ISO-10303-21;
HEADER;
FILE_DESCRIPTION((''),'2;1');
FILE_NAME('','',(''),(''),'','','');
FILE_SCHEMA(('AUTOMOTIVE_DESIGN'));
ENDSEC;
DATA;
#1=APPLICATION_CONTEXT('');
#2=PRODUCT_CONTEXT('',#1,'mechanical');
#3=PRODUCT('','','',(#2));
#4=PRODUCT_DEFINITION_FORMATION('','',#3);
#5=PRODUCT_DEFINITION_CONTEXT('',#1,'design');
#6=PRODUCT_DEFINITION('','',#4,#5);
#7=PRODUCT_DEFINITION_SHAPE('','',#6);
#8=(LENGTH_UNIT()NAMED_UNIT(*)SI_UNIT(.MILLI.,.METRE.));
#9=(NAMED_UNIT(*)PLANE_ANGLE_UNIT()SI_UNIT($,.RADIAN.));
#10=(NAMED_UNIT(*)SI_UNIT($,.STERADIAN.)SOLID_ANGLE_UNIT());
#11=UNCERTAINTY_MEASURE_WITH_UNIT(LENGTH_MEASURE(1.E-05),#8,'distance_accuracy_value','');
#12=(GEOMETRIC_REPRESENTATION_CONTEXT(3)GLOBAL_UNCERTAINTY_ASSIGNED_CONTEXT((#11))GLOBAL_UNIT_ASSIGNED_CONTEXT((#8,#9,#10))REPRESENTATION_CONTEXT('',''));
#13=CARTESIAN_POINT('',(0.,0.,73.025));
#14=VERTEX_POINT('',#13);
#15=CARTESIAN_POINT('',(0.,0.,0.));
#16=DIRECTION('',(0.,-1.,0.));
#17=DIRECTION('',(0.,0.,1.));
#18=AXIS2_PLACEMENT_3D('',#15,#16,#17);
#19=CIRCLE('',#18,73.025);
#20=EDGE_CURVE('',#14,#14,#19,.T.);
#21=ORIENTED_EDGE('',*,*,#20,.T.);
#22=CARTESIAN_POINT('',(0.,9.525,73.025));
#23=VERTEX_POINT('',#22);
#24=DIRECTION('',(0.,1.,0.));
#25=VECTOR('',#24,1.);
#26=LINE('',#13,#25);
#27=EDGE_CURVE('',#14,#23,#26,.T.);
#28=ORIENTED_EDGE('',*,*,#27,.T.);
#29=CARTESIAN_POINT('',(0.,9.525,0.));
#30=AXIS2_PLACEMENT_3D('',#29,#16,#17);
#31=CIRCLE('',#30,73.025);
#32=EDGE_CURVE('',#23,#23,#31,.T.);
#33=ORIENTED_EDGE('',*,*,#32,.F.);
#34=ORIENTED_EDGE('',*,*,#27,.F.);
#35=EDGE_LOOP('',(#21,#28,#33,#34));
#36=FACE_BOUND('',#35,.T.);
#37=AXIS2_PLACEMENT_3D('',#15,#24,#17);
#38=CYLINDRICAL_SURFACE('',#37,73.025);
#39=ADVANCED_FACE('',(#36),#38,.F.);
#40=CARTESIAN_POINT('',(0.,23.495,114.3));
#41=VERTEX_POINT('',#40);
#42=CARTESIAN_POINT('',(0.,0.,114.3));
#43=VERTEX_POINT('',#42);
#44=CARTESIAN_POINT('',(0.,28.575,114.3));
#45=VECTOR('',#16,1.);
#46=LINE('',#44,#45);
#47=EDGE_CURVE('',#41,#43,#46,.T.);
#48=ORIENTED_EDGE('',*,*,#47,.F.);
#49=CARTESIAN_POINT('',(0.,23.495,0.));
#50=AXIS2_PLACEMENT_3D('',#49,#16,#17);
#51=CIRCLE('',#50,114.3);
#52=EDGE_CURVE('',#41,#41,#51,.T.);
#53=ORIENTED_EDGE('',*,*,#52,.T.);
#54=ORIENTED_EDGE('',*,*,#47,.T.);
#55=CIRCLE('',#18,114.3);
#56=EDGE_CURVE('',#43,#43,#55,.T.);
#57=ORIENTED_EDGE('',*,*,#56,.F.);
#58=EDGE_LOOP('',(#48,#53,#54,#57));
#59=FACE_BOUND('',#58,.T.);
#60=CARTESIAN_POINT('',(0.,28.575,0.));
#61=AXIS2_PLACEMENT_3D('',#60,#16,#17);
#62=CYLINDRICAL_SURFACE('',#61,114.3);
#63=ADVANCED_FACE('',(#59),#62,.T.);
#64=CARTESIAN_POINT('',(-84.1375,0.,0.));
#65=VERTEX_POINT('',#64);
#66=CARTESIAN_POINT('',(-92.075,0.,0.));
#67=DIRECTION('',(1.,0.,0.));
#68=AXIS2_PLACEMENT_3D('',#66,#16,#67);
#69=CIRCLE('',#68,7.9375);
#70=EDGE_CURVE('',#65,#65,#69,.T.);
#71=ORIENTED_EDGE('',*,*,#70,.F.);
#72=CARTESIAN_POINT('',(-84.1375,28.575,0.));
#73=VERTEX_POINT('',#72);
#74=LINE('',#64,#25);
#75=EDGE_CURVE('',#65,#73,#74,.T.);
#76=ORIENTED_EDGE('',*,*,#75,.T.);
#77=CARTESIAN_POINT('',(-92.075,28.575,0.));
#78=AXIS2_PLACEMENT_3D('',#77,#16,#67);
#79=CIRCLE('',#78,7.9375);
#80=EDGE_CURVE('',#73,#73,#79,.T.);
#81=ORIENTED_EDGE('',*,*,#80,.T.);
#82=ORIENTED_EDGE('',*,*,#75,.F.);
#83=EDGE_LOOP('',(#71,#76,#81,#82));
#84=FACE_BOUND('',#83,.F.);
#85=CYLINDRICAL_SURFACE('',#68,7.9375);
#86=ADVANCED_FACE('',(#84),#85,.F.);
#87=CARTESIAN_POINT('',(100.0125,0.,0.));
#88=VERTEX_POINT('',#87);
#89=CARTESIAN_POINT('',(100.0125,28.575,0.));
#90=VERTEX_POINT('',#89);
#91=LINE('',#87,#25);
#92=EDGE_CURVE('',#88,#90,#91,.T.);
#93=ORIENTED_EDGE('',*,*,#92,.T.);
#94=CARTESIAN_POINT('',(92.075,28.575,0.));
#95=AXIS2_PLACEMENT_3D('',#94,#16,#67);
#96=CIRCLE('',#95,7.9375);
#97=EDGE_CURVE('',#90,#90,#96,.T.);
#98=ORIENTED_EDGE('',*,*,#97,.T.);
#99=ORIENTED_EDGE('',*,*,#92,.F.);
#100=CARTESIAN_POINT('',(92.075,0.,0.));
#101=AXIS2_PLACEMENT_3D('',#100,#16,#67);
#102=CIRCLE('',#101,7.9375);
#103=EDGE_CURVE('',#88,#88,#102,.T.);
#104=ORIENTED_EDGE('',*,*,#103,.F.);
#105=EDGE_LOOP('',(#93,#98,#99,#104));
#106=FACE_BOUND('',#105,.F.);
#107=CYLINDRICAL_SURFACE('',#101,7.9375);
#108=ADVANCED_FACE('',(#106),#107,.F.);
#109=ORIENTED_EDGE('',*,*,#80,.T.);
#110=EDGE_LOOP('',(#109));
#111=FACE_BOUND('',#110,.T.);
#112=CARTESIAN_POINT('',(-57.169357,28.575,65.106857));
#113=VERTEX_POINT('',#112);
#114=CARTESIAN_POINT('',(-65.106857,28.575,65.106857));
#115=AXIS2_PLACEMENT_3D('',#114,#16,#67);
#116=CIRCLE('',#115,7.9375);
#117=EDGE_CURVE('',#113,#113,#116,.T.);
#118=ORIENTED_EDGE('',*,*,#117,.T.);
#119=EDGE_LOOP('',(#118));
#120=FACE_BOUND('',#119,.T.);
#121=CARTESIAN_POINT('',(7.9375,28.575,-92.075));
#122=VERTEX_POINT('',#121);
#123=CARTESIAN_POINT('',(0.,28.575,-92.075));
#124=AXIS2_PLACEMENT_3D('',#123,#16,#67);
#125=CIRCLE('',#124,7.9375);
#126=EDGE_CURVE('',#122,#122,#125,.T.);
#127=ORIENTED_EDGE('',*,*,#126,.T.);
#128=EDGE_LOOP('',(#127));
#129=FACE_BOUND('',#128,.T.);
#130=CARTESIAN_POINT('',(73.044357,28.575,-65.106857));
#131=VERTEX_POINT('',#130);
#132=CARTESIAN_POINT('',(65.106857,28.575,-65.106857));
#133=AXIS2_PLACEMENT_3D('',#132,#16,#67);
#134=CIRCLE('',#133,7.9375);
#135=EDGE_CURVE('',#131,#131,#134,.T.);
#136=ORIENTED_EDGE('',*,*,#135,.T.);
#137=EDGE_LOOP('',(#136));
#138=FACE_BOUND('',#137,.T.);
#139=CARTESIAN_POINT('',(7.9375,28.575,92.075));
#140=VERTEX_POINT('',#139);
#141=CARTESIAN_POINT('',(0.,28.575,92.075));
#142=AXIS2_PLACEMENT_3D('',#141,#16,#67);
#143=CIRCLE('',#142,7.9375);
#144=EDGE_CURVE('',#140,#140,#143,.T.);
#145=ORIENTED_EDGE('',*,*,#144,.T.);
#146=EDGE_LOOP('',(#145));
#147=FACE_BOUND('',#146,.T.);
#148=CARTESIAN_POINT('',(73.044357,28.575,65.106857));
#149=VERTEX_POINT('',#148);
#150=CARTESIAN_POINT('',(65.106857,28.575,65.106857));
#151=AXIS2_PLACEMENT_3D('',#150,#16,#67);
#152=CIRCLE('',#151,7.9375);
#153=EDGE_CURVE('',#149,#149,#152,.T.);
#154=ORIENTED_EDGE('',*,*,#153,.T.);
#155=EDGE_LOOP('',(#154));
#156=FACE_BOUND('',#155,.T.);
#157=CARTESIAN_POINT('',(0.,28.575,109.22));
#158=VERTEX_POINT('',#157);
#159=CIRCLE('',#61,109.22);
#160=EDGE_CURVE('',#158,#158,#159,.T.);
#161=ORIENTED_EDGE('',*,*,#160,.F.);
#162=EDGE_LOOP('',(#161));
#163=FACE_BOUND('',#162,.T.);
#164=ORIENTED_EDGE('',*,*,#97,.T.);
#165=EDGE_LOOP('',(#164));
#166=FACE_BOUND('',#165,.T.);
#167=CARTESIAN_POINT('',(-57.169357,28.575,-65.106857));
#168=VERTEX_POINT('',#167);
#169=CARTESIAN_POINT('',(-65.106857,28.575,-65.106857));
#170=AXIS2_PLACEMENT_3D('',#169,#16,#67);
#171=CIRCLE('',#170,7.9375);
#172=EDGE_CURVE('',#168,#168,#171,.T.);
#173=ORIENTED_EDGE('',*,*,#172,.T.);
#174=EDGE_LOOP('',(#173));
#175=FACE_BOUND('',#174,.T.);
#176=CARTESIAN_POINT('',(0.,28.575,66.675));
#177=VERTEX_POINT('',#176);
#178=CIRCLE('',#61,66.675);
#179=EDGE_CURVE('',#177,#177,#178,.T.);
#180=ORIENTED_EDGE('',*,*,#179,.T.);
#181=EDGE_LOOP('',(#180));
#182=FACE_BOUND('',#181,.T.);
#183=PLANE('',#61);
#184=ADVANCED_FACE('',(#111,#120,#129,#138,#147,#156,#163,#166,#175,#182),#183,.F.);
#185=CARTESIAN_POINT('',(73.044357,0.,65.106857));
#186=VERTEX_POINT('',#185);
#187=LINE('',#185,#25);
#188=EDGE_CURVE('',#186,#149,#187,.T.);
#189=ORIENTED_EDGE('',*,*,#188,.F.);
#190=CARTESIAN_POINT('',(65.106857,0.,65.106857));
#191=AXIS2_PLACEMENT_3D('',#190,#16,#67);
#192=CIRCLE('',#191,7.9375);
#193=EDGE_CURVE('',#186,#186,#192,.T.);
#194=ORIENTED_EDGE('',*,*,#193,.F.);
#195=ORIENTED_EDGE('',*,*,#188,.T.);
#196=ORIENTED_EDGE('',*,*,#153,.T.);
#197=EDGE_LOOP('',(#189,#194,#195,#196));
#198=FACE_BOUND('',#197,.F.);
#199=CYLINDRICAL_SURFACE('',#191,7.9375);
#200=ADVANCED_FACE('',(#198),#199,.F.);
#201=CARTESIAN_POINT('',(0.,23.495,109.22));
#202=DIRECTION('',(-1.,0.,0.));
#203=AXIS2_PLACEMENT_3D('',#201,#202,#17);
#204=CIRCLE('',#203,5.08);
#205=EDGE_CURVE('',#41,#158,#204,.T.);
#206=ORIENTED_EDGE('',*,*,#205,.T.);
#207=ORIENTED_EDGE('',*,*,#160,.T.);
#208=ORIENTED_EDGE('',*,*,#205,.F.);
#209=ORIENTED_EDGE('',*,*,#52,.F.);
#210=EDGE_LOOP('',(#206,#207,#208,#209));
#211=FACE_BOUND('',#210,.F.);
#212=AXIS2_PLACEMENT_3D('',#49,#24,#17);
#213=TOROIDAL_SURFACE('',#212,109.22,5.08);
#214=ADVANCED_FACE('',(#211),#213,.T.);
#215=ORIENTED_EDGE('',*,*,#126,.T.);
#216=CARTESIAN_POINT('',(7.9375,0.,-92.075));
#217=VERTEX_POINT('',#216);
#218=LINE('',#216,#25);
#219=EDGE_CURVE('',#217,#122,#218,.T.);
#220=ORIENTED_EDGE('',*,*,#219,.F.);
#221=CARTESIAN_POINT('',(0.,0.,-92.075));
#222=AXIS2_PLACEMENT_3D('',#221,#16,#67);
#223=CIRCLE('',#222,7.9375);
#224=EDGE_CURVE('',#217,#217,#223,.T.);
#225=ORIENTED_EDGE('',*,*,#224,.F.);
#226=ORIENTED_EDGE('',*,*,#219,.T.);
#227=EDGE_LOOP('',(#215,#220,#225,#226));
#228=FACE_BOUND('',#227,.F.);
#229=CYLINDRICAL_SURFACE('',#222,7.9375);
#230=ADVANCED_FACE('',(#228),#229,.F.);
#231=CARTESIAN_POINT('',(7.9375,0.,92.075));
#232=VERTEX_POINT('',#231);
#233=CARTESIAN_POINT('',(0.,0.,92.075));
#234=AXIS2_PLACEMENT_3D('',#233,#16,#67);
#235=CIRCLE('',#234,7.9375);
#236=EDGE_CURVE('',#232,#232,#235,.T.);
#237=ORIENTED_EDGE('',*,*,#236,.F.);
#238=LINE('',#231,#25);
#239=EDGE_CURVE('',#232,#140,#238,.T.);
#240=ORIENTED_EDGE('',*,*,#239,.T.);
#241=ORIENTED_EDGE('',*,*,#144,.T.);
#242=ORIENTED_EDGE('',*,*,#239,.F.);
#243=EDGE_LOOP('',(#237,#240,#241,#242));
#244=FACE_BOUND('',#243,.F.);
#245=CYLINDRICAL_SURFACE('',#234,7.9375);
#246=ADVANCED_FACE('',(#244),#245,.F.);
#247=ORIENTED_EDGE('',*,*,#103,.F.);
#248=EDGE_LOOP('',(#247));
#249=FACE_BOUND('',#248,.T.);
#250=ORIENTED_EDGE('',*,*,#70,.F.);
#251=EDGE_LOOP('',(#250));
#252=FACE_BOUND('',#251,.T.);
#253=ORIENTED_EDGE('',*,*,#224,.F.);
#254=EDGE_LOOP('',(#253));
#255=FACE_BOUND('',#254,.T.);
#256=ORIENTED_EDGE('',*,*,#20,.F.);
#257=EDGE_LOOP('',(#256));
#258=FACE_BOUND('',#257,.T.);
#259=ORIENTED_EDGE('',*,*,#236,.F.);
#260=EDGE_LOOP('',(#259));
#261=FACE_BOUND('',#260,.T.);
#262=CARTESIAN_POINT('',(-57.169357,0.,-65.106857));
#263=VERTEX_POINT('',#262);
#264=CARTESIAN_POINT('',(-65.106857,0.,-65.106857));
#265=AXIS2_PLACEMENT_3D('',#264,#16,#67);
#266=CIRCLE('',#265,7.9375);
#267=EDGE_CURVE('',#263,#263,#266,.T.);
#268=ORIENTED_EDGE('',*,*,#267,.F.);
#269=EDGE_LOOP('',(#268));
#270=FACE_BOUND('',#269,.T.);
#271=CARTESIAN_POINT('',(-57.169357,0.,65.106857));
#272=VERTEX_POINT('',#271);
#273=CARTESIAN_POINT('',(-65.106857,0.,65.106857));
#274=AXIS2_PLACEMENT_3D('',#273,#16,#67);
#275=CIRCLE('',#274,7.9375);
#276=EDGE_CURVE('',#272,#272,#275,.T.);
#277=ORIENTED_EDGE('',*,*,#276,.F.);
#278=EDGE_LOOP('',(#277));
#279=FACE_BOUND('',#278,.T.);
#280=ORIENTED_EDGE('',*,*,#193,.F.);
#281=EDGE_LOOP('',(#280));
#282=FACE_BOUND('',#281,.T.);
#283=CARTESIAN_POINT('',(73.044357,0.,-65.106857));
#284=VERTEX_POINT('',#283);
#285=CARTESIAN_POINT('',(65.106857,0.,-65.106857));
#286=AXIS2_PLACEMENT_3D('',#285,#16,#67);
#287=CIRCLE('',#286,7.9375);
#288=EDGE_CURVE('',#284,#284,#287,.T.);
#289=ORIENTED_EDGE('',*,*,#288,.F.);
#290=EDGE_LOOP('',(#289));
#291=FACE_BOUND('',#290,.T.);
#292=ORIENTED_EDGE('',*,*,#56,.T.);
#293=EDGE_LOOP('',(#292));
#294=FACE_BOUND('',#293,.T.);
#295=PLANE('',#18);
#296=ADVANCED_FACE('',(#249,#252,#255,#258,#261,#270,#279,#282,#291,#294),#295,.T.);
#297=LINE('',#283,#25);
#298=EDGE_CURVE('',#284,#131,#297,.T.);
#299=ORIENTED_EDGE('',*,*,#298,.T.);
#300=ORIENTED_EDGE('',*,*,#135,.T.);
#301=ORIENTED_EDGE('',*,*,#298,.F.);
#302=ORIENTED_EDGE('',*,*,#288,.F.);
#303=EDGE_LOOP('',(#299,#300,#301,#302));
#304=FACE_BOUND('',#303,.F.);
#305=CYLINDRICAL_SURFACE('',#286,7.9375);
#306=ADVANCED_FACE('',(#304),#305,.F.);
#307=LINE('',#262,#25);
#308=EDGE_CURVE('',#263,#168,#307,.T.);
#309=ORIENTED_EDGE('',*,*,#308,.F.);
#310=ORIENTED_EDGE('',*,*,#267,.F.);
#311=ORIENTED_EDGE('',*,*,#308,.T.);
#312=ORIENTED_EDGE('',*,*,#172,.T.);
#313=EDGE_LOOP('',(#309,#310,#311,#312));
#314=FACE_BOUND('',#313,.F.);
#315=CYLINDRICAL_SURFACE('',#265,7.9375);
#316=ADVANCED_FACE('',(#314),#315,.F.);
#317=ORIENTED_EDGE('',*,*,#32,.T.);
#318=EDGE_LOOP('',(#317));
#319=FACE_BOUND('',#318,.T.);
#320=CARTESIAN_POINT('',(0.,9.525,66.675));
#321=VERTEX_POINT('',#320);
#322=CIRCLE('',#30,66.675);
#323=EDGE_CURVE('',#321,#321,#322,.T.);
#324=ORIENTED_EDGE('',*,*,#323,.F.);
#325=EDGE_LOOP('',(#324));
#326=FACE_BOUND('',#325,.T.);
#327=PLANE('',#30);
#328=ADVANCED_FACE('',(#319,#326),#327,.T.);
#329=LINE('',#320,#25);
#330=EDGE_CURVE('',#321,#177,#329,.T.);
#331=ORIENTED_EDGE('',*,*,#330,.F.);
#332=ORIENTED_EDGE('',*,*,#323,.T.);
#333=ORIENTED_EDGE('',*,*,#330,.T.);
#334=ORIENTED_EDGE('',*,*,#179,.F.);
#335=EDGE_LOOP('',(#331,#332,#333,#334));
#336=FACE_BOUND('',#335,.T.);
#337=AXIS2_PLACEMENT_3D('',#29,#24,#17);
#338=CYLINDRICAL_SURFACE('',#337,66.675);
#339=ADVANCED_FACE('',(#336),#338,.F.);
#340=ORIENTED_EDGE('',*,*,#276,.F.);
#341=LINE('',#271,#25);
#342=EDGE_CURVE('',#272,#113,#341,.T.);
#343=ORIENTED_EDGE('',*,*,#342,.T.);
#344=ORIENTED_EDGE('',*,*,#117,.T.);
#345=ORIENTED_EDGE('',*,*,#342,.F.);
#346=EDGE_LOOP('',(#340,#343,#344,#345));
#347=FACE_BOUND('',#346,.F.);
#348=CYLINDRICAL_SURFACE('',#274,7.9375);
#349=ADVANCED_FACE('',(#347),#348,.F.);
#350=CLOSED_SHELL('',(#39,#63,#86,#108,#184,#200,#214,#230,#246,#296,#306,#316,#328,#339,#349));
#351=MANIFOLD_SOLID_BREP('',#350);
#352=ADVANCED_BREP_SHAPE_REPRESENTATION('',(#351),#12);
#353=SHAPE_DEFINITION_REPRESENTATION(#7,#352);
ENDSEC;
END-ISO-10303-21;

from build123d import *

# Parameters (mm, degrees)
F2_R     = 7.9375
F3_DEPTH = 28.576
F4_R     = 5.08


with BuildPart() as f1:
    # F0 (on Right) → F1 (revolve)
    with BuildSketch(Plane.YZ):
        Polygon((28.575, 114.3), (0, 114.3), (0, 73.025), (9.525, 73.025), (9.525, 66.675), (28.575, 66.675), align=None)
    revolve(axis=Axis((0, 0.501314, 0), (0, -1, 0)))

    # F2 (on face) → F3 (cut, through all)
    with BuildSketch(Plane.XZ):
        with Locations((0, 92.075)):
            Circle(F2_R)
        with Locations((-65.106857, 65.106857)):
            Circle(F2_R)
        with Locations((-92.075, 0)):
            Circle(F2_R)
        with Locations((-65.106857, -65.106857)):
            Circle(F2_R)
        with Locations((0, -92.075)):
            Circle(F2_R)
        with Locations((65.106857, -65.106857)):
            Circle(F2_R)
        with Locations((92.075, 0)):
            Circle(F2_R)
        with Locations((65.106857, 65.106857)):
            Circle(F2_R)
    extrude(amount=-F3_DEPTH, mode=Mode.SUBTRACT)

    # F4
    f4_edges = [f1.edges().sort_by_distance(p)[0] for p in [
        (0, 28.575, -114.3),
    ]]
    fillet(f4_edges, radius=F4_R)


solid = f1.part
